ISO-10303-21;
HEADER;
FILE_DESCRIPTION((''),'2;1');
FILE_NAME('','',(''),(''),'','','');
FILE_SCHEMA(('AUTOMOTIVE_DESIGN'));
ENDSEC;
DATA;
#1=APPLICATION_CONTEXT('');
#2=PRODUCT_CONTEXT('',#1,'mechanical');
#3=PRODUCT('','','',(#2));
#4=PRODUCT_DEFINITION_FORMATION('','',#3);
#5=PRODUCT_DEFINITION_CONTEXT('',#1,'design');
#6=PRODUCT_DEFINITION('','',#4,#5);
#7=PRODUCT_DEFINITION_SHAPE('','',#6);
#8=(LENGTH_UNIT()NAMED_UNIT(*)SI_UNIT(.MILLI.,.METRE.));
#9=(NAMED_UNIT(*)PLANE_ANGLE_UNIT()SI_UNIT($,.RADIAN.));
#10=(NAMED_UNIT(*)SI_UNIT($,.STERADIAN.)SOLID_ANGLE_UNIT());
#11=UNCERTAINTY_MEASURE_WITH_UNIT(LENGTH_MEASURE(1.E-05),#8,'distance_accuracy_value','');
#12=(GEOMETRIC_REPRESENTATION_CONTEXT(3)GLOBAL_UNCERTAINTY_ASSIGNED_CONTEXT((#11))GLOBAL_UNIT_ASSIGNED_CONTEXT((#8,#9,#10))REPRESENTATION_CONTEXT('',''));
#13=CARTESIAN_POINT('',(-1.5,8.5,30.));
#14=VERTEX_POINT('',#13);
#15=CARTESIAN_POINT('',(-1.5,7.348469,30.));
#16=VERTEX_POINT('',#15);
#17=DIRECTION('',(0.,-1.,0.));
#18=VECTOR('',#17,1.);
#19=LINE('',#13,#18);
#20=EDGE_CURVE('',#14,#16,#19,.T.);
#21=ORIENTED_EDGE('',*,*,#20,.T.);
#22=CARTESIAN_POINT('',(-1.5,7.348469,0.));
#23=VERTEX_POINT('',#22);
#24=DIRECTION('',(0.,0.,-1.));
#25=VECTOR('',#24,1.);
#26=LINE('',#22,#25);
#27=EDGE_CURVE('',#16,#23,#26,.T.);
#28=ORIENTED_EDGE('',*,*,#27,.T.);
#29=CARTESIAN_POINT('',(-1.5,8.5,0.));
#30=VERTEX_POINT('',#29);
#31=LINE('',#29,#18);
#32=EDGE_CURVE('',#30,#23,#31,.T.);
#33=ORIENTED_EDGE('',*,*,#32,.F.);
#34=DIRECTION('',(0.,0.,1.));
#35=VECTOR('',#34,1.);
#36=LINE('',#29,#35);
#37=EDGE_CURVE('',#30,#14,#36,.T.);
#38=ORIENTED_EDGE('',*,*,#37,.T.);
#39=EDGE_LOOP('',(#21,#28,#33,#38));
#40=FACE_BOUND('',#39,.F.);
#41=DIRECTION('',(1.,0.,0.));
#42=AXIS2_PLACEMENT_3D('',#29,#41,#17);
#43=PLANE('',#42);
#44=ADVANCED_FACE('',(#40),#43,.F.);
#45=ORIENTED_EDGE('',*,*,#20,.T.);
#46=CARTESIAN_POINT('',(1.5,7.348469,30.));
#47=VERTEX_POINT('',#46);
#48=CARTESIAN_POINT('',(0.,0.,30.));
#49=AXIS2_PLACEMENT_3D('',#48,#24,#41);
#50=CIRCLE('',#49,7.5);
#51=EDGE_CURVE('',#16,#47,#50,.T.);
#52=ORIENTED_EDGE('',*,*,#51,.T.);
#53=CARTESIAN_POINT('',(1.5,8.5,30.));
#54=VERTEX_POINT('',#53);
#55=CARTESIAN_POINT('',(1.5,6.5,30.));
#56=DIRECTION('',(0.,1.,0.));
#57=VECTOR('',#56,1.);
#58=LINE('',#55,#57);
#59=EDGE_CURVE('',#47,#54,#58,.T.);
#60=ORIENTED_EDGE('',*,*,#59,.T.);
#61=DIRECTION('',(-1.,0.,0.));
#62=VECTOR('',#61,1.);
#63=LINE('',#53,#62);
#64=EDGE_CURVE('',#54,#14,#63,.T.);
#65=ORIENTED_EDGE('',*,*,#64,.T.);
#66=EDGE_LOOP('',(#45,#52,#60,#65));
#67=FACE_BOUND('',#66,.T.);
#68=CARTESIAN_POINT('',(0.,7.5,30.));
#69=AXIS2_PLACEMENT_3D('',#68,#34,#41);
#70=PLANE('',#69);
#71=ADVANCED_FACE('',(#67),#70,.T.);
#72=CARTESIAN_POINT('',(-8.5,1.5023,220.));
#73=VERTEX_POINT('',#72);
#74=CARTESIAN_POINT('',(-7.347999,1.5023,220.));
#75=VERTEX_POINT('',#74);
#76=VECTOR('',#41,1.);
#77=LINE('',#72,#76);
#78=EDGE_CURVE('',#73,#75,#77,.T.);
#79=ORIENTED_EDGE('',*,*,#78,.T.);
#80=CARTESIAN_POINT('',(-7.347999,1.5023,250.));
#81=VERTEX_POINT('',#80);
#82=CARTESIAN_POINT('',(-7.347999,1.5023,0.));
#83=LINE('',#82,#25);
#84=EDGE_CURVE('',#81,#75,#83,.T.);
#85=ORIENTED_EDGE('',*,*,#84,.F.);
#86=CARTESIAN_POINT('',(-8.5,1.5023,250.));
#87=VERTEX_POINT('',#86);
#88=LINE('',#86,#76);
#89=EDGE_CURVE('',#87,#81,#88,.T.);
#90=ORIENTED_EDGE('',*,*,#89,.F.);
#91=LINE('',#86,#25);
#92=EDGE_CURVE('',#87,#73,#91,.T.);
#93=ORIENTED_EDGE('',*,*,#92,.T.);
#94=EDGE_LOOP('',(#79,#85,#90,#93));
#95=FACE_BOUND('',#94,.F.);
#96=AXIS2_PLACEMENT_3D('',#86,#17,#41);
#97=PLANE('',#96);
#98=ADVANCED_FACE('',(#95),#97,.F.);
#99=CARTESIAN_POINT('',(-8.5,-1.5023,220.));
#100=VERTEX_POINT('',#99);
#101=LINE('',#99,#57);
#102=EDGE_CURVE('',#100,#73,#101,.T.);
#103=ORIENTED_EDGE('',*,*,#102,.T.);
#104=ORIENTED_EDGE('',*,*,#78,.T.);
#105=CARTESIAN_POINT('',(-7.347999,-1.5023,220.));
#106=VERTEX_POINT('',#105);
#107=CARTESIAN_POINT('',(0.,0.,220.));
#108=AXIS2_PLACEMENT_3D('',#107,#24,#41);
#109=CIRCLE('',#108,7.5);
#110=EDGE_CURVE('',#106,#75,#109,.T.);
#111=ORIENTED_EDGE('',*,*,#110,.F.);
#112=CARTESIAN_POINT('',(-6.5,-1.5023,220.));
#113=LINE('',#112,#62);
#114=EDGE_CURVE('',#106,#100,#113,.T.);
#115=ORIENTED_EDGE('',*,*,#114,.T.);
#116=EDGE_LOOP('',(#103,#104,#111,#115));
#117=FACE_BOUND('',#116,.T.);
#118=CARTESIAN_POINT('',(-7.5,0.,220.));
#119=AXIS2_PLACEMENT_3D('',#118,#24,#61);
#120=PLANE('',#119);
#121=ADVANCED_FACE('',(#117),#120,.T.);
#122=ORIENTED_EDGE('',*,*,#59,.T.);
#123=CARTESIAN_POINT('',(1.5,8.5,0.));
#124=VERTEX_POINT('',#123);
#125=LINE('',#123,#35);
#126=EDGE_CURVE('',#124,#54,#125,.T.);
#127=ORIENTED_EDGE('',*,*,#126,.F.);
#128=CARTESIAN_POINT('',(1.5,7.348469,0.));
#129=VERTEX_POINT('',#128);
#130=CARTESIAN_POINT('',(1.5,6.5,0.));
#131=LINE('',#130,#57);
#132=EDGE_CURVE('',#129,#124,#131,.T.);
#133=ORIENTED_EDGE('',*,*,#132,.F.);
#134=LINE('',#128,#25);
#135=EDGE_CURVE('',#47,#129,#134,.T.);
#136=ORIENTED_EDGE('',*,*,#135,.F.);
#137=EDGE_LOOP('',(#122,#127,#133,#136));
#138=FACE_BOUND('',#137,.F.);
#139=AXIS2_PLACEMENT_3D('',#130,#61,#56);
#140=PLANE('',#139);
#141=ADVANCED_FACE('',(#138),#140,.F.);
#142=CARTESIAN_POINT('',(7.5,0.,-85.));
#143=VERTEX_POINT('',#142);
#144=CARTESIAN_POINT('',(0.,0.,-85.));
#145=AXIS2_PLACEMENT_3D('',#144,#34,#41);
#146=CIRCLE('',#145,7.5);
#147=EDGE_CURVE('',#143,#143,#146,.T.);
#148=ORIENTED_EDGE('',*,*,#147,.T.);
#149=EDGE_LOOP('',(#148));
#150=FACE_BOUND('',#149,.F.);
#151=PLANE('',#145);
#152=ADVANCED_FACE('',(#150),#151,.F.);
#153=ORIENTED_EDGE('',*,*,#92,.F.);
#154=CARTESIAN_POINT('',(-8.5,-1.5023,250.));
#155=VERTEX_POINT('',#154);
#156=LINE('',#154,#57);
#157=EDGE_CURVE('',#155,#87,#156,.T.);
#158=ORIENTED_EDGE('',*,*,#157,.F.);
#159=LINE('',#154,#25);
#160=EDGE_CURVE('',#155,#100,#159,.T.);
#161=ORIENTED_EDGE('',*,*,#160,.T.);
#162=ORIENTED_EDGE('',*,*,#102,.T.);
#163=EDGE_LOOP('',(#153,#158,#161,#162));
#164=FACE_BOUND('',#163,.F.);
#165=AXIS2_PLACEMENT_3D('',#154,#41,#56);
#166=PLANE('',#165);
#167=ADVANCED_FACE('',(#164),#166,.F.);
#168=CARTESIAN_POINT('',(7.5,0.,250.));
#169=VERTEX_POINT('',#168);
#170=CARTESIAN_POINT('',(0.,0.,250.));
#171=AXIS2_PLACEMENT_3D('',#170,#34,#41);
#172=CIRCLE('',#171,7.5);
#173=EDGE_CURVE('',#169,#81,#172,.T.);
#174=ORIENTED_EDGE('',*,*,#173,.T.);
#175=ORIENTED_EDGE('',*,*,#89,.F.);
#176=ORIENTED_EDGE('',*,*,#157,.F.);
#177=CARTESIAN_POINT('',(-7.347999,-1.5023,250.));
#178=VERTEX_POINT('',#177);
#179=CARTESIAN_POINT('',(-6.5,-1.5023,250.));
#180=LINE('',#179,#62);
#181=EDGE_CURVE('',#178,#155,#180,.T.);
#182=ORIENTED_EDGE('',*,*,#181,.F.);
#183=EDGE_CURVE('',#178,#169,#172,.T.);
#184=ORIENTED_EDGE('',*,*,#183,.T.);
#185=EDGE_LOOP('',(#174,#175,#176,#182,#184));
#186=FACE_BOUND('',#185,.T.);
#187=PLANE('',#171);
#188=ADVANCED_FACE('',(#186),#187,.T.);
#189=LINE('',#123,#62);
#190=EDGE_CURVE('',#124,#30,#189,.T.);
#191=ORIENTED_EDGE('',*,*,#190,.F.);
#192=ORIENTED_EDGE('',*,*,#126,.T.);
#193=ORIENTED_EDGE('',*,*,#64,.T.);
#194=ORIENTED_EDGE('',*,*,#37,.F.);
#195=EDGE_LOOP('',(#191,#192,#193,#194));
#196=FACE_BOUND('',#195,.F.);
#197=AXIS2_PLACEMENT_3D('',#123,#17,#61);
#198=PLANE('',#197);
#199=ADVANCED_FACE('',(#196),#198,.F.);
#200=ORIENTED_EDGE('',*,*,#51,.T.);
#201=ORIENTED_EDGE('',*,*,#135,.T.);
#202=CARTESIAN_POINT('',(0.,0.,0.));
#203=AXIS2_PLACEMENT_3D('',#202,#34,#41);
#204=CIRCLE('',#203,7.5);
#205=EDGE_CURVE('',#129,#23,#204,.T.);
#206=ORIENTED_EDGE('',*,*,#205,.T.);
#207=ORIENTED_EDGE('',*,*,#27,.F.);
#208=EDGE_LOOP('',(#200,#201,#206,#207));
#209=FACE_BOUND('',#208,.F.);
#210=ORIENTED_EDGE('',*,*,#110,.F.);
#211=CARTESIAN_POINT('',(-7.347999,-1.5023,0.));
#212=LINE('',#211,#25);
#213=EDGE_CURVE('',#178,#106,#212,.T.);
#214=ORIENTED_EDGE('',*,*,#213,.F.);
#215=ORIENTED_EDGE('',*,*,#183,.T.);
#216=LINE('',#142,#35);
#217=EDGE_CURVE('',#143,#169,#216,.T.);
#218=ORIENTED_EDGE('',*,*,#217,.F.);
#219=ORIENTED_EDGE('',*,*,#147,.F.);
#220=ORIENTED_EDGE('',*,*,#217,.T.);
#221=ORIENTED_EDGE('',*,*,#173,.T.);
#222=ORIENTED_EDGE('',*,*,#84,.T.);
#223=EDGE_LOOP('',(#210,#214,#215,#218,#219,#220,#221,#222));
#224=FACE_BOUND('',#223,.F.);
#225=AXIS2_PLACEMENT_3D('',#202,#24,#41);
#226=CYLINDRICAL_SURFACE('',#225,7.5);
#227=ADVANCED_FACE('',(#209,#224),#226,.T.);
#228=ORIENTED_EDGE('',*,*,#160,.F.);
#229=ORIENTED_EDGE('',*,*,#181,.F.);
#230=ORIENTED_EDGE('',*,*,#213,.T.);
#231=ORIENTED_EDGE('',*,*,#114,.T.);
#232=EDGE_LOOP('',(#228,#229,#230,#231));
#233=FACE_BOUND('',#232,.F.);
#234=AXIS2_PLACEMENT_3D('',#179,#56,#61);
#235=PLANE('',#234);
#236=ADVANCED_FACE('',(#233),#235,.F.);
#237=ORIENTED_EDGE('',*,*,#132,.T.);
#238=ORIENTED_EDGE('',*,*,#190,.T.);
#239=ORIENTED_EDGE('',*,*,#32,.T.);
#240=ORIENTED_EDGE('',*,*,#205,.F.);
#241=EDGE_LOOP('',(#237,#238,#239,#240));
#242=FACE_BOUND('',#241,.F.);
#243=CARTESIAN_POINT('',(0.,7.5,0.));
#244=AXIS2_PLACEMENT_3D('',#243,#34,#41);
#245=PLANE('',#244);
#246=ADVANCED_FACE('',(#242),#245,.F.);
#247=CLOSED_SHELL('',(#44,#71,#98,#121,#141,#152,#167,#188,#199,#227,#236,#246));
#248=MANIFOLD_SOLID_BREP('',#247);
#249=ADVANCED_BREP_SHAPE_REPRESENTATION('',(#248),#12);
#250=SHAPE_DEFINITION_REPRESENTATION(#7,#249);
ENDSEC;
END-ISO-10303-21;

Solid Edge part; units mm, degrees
sketch "Sketch1" plane through (0, 0, 0) normal (0, 0, 1) x (1, 0, 0)
  circle A0 centre (0, 0) radius 7.5
  dimension "D1" = 15
extrude "ExtrudedProtrusion_1" add sketch "Sketch1" along normal blind 250 and the other way blind 85
sketch "Sketch2" plane through (0, 0, 0) normal (0, 0, 1) x (1, 0, 0)
  line L0 (-1.5, 6.5) -> (1.5, 6.5)
  line L1 (1.5, 6.5) -> (1.5, 8.5)
  line L2 (1.5, 8.5) -> (-1.5, 8.5)
  line L3 (-1.5, 8.5) -> (-1.5, 6.5)
  dimension "D1" = 6.5
  dimension "D2" = 3
extrude "ExtrudedProtrusion_2" add sketch "Sketch2" along normal blind 30
sketch "Sketch3" plane through (0, 0, 250) normal (0, 0, 1) x (0, 1, 0)
  line L0 (1.5023, 6.5) -> (-1.5023, 6.5)
  line L1 (-1.5023, 6.5) -> (-1.5023, 8.5)
  line L2 (-1.5023, 8.5) -> (1.5023, 8.5)
  line L3 (1.5023, 8.5) -> (1.5023, 6.5)
  dimension "D1" = 3.0045
  dimension "D2" = 2
  dimension "D3" = 6.5
extrude "ExtrudedProtrusion_3" add sketch "Sketch3" against normal blind 30
properties material "Aluminum, 1060"
